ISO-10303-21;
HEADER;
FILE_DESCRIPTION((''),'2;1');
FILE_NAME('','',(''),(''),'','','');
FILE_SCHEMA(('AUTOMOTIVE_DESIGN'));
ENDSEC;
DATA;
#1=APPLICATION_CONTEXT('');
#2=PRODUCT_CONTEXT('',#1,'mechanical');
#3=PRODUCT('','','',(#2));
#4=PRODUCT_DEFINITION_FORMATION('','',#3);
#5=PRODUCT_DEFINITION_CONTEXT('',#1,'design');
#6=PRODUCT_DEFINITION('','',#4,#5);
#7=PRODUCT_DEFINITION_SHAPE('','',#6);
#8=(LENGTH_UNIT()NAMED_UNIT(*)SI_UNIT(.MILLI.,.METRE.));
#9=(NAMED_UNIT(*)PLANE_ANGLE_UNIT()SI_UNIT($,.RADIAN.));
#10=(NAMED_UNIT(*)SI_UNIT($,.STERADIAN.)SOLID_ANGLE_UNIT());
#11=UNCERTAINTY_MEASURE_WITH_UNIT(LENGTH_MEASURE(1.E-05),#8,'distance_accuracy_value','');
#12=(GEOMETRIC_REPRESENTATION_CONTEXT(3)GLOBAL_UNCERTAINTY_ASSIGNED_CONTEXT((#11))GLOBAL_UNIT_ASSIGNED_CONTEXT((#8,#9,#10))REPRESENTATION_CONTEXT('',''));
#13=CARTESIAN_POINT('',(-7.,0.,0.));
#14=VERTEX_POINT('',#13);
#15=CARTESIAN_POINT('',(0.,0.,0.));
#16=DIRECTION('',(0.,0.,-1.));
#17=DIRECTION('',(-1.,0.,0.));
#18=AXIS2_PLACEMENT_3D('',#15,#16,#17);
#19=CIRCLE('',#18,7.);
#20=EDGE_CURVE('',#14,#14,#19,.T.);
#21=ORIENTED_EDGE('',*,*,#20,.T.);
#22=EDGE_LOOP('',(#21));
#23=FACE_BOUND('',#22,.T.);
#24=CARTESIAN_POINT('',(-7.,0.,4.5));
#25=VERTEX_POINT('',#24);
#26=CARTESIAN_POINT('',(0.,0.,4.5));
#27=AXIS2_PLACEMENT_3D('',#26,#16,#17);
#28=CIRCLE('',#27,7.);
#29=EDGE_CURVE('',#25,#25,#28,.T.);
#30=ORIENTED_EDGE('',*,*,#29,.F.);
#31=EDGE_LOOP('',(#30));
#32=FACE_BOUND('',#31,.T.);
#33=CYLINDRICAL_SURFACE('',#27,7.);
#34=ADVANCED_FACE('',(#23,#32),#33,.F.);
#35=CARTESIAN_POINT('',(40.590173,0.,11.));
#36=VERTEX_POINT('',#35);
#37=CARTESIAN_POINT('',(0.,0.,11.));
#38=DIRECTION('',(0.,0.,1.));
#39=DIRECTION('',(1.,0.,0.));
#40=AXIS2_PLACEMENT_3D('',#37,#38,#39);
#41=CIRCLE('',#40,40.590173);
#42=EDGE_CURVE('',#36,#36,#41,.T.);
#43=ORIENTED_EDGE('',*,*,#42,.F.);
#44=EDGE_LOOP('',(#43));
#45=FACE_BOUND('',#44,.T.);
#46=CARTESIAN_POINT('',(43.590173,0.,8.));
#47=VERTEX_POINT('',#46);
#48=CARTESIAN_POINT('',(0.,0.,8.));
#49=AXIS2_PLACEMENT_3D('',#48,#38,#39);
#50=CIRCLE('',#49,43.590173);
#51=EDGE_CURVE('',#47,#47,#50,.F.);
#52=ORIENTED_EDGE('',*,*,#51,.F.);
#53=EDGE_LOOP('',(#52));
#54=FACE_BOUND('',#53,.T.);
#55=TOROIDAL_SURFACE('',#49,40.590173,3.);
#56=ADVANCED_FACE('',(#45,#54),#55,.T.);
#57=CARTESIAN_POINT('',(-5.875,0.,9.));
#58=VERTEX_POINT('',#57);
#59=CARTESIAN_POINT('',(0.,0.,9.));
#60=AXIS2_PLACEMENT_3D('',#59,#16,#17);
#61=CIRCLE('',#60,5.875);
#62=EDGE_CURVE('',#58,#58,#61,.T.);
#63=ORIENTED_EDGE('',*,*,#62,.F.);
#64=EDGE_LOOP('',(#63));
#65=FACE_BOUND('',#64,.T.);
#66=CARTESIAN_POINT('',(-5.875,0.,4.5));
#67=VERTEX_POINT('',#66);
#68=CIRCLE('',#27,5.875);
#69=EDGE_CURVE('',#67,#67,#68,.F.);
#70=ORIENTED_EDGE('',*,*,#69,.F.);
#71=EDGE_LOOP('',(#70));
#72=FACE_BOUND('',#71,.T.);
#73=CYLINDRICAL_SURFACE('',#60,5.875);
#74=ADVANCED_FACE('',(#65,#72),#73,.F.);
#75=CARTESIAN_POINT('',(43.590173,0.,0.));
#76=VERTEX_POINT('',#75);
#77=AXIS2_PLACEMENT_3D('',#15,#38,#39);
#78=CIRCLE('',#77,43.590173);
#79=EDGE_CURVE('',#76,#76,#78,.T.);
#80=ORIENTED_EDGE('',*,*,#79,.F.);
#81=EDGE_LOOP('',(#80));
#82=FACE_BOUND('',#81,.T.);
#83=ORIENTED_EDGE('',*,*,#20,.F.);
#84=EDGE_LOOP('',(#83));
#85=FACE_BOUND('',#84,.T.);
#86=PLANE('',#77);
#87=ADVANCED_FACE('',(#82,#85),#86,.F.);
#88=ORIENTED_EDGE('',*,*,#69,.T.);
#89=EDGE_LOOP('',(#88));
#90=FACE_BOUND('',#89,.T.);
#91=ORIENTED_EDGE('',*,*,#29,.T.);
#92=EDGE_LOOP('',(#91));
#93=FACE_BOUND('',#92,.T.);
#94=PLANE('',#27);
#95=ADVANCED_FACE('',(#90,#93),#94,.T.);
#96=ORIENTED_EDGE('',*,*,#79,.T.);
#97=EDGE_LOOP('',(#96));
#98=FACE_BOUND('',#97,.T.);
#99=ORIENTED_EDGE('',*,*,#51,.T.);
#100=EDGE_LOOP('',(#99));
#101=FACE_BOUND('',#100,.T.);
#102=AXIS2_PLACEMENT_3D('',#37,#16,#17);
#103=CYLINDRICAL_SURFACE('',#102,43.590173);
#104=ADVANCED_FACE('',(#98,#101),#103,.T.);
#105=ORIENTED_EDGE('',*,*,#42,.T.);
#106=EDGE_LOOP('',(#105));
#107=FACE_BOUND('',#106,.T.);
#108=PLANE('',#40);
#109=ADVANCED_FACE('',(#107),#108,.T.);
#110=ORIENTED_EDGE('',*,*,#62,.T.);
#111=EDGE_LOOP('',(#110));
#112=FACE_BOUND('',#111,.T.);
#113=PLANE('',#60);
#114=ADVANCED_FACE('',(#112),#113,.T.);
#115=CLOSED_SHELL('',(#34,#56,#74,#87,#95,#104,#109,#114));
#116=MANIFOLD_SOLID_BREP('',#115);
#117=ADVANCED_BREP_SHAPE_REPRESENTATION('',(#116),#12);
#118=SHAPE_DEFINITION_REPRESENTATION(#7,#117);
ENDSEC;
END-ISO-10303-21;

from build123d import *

# Parameters (mm, degrees)
CROQUIS1_R              = 43.5901732
SALIENTE_EXTRUIR1_DEPTH = 11
REDONDEO1_R             = 3
CROQUIS2_R              = 5.875
CORTAR_EXTRUIR1_DEPTH   = 9
CROQUIS3_R              = 7
CORTAR_EXTRUIR2_DEPTH   = 4.5


with BuildPart() as part:
    # Croquis1 → Saliente-Extruir1 (new body)
    with BuildSketch(Plane.XY):
        Circle(CROQUIS1_R)
    extrude(amount=SALIENTE_EXTRUIR1_DEPTH)

    # Redondeo1
    redondeo1_edges = [part.edges().sort_by_distance(p)[0] for p in [
        (-43.5901732, 0, 11),
    ]]
    fillet(redondeo1_edges, radius=REDONDEO1_R)

    # Croquis2 → Cortar-Extruir1 (cut)
    with BuildSketch(Plane(origin=(0, 0, 0), x_dir=(-1, 0, 0), z_dir=(0, 0, -1))):
        Circle(CROQUIS2_R)
    extrude(amount=-CORTAR_EXTRUIR1_DEPTH, mode=Mode.SUBTRACT)

    # Croquis3 → Cortar-Extruir2 (cut)
    with BuildSketch(Plane(origin=(0, 0, 0), x_dir=(-1, 0, 0), z_dir=(0, 0, -1))):
        Circle(CROQUIS3_R)
    extrude(amount=-CORTAR_EXTRUIR2_DEPTH, mode=Mode.SUBTRACT)


solid = part.part
